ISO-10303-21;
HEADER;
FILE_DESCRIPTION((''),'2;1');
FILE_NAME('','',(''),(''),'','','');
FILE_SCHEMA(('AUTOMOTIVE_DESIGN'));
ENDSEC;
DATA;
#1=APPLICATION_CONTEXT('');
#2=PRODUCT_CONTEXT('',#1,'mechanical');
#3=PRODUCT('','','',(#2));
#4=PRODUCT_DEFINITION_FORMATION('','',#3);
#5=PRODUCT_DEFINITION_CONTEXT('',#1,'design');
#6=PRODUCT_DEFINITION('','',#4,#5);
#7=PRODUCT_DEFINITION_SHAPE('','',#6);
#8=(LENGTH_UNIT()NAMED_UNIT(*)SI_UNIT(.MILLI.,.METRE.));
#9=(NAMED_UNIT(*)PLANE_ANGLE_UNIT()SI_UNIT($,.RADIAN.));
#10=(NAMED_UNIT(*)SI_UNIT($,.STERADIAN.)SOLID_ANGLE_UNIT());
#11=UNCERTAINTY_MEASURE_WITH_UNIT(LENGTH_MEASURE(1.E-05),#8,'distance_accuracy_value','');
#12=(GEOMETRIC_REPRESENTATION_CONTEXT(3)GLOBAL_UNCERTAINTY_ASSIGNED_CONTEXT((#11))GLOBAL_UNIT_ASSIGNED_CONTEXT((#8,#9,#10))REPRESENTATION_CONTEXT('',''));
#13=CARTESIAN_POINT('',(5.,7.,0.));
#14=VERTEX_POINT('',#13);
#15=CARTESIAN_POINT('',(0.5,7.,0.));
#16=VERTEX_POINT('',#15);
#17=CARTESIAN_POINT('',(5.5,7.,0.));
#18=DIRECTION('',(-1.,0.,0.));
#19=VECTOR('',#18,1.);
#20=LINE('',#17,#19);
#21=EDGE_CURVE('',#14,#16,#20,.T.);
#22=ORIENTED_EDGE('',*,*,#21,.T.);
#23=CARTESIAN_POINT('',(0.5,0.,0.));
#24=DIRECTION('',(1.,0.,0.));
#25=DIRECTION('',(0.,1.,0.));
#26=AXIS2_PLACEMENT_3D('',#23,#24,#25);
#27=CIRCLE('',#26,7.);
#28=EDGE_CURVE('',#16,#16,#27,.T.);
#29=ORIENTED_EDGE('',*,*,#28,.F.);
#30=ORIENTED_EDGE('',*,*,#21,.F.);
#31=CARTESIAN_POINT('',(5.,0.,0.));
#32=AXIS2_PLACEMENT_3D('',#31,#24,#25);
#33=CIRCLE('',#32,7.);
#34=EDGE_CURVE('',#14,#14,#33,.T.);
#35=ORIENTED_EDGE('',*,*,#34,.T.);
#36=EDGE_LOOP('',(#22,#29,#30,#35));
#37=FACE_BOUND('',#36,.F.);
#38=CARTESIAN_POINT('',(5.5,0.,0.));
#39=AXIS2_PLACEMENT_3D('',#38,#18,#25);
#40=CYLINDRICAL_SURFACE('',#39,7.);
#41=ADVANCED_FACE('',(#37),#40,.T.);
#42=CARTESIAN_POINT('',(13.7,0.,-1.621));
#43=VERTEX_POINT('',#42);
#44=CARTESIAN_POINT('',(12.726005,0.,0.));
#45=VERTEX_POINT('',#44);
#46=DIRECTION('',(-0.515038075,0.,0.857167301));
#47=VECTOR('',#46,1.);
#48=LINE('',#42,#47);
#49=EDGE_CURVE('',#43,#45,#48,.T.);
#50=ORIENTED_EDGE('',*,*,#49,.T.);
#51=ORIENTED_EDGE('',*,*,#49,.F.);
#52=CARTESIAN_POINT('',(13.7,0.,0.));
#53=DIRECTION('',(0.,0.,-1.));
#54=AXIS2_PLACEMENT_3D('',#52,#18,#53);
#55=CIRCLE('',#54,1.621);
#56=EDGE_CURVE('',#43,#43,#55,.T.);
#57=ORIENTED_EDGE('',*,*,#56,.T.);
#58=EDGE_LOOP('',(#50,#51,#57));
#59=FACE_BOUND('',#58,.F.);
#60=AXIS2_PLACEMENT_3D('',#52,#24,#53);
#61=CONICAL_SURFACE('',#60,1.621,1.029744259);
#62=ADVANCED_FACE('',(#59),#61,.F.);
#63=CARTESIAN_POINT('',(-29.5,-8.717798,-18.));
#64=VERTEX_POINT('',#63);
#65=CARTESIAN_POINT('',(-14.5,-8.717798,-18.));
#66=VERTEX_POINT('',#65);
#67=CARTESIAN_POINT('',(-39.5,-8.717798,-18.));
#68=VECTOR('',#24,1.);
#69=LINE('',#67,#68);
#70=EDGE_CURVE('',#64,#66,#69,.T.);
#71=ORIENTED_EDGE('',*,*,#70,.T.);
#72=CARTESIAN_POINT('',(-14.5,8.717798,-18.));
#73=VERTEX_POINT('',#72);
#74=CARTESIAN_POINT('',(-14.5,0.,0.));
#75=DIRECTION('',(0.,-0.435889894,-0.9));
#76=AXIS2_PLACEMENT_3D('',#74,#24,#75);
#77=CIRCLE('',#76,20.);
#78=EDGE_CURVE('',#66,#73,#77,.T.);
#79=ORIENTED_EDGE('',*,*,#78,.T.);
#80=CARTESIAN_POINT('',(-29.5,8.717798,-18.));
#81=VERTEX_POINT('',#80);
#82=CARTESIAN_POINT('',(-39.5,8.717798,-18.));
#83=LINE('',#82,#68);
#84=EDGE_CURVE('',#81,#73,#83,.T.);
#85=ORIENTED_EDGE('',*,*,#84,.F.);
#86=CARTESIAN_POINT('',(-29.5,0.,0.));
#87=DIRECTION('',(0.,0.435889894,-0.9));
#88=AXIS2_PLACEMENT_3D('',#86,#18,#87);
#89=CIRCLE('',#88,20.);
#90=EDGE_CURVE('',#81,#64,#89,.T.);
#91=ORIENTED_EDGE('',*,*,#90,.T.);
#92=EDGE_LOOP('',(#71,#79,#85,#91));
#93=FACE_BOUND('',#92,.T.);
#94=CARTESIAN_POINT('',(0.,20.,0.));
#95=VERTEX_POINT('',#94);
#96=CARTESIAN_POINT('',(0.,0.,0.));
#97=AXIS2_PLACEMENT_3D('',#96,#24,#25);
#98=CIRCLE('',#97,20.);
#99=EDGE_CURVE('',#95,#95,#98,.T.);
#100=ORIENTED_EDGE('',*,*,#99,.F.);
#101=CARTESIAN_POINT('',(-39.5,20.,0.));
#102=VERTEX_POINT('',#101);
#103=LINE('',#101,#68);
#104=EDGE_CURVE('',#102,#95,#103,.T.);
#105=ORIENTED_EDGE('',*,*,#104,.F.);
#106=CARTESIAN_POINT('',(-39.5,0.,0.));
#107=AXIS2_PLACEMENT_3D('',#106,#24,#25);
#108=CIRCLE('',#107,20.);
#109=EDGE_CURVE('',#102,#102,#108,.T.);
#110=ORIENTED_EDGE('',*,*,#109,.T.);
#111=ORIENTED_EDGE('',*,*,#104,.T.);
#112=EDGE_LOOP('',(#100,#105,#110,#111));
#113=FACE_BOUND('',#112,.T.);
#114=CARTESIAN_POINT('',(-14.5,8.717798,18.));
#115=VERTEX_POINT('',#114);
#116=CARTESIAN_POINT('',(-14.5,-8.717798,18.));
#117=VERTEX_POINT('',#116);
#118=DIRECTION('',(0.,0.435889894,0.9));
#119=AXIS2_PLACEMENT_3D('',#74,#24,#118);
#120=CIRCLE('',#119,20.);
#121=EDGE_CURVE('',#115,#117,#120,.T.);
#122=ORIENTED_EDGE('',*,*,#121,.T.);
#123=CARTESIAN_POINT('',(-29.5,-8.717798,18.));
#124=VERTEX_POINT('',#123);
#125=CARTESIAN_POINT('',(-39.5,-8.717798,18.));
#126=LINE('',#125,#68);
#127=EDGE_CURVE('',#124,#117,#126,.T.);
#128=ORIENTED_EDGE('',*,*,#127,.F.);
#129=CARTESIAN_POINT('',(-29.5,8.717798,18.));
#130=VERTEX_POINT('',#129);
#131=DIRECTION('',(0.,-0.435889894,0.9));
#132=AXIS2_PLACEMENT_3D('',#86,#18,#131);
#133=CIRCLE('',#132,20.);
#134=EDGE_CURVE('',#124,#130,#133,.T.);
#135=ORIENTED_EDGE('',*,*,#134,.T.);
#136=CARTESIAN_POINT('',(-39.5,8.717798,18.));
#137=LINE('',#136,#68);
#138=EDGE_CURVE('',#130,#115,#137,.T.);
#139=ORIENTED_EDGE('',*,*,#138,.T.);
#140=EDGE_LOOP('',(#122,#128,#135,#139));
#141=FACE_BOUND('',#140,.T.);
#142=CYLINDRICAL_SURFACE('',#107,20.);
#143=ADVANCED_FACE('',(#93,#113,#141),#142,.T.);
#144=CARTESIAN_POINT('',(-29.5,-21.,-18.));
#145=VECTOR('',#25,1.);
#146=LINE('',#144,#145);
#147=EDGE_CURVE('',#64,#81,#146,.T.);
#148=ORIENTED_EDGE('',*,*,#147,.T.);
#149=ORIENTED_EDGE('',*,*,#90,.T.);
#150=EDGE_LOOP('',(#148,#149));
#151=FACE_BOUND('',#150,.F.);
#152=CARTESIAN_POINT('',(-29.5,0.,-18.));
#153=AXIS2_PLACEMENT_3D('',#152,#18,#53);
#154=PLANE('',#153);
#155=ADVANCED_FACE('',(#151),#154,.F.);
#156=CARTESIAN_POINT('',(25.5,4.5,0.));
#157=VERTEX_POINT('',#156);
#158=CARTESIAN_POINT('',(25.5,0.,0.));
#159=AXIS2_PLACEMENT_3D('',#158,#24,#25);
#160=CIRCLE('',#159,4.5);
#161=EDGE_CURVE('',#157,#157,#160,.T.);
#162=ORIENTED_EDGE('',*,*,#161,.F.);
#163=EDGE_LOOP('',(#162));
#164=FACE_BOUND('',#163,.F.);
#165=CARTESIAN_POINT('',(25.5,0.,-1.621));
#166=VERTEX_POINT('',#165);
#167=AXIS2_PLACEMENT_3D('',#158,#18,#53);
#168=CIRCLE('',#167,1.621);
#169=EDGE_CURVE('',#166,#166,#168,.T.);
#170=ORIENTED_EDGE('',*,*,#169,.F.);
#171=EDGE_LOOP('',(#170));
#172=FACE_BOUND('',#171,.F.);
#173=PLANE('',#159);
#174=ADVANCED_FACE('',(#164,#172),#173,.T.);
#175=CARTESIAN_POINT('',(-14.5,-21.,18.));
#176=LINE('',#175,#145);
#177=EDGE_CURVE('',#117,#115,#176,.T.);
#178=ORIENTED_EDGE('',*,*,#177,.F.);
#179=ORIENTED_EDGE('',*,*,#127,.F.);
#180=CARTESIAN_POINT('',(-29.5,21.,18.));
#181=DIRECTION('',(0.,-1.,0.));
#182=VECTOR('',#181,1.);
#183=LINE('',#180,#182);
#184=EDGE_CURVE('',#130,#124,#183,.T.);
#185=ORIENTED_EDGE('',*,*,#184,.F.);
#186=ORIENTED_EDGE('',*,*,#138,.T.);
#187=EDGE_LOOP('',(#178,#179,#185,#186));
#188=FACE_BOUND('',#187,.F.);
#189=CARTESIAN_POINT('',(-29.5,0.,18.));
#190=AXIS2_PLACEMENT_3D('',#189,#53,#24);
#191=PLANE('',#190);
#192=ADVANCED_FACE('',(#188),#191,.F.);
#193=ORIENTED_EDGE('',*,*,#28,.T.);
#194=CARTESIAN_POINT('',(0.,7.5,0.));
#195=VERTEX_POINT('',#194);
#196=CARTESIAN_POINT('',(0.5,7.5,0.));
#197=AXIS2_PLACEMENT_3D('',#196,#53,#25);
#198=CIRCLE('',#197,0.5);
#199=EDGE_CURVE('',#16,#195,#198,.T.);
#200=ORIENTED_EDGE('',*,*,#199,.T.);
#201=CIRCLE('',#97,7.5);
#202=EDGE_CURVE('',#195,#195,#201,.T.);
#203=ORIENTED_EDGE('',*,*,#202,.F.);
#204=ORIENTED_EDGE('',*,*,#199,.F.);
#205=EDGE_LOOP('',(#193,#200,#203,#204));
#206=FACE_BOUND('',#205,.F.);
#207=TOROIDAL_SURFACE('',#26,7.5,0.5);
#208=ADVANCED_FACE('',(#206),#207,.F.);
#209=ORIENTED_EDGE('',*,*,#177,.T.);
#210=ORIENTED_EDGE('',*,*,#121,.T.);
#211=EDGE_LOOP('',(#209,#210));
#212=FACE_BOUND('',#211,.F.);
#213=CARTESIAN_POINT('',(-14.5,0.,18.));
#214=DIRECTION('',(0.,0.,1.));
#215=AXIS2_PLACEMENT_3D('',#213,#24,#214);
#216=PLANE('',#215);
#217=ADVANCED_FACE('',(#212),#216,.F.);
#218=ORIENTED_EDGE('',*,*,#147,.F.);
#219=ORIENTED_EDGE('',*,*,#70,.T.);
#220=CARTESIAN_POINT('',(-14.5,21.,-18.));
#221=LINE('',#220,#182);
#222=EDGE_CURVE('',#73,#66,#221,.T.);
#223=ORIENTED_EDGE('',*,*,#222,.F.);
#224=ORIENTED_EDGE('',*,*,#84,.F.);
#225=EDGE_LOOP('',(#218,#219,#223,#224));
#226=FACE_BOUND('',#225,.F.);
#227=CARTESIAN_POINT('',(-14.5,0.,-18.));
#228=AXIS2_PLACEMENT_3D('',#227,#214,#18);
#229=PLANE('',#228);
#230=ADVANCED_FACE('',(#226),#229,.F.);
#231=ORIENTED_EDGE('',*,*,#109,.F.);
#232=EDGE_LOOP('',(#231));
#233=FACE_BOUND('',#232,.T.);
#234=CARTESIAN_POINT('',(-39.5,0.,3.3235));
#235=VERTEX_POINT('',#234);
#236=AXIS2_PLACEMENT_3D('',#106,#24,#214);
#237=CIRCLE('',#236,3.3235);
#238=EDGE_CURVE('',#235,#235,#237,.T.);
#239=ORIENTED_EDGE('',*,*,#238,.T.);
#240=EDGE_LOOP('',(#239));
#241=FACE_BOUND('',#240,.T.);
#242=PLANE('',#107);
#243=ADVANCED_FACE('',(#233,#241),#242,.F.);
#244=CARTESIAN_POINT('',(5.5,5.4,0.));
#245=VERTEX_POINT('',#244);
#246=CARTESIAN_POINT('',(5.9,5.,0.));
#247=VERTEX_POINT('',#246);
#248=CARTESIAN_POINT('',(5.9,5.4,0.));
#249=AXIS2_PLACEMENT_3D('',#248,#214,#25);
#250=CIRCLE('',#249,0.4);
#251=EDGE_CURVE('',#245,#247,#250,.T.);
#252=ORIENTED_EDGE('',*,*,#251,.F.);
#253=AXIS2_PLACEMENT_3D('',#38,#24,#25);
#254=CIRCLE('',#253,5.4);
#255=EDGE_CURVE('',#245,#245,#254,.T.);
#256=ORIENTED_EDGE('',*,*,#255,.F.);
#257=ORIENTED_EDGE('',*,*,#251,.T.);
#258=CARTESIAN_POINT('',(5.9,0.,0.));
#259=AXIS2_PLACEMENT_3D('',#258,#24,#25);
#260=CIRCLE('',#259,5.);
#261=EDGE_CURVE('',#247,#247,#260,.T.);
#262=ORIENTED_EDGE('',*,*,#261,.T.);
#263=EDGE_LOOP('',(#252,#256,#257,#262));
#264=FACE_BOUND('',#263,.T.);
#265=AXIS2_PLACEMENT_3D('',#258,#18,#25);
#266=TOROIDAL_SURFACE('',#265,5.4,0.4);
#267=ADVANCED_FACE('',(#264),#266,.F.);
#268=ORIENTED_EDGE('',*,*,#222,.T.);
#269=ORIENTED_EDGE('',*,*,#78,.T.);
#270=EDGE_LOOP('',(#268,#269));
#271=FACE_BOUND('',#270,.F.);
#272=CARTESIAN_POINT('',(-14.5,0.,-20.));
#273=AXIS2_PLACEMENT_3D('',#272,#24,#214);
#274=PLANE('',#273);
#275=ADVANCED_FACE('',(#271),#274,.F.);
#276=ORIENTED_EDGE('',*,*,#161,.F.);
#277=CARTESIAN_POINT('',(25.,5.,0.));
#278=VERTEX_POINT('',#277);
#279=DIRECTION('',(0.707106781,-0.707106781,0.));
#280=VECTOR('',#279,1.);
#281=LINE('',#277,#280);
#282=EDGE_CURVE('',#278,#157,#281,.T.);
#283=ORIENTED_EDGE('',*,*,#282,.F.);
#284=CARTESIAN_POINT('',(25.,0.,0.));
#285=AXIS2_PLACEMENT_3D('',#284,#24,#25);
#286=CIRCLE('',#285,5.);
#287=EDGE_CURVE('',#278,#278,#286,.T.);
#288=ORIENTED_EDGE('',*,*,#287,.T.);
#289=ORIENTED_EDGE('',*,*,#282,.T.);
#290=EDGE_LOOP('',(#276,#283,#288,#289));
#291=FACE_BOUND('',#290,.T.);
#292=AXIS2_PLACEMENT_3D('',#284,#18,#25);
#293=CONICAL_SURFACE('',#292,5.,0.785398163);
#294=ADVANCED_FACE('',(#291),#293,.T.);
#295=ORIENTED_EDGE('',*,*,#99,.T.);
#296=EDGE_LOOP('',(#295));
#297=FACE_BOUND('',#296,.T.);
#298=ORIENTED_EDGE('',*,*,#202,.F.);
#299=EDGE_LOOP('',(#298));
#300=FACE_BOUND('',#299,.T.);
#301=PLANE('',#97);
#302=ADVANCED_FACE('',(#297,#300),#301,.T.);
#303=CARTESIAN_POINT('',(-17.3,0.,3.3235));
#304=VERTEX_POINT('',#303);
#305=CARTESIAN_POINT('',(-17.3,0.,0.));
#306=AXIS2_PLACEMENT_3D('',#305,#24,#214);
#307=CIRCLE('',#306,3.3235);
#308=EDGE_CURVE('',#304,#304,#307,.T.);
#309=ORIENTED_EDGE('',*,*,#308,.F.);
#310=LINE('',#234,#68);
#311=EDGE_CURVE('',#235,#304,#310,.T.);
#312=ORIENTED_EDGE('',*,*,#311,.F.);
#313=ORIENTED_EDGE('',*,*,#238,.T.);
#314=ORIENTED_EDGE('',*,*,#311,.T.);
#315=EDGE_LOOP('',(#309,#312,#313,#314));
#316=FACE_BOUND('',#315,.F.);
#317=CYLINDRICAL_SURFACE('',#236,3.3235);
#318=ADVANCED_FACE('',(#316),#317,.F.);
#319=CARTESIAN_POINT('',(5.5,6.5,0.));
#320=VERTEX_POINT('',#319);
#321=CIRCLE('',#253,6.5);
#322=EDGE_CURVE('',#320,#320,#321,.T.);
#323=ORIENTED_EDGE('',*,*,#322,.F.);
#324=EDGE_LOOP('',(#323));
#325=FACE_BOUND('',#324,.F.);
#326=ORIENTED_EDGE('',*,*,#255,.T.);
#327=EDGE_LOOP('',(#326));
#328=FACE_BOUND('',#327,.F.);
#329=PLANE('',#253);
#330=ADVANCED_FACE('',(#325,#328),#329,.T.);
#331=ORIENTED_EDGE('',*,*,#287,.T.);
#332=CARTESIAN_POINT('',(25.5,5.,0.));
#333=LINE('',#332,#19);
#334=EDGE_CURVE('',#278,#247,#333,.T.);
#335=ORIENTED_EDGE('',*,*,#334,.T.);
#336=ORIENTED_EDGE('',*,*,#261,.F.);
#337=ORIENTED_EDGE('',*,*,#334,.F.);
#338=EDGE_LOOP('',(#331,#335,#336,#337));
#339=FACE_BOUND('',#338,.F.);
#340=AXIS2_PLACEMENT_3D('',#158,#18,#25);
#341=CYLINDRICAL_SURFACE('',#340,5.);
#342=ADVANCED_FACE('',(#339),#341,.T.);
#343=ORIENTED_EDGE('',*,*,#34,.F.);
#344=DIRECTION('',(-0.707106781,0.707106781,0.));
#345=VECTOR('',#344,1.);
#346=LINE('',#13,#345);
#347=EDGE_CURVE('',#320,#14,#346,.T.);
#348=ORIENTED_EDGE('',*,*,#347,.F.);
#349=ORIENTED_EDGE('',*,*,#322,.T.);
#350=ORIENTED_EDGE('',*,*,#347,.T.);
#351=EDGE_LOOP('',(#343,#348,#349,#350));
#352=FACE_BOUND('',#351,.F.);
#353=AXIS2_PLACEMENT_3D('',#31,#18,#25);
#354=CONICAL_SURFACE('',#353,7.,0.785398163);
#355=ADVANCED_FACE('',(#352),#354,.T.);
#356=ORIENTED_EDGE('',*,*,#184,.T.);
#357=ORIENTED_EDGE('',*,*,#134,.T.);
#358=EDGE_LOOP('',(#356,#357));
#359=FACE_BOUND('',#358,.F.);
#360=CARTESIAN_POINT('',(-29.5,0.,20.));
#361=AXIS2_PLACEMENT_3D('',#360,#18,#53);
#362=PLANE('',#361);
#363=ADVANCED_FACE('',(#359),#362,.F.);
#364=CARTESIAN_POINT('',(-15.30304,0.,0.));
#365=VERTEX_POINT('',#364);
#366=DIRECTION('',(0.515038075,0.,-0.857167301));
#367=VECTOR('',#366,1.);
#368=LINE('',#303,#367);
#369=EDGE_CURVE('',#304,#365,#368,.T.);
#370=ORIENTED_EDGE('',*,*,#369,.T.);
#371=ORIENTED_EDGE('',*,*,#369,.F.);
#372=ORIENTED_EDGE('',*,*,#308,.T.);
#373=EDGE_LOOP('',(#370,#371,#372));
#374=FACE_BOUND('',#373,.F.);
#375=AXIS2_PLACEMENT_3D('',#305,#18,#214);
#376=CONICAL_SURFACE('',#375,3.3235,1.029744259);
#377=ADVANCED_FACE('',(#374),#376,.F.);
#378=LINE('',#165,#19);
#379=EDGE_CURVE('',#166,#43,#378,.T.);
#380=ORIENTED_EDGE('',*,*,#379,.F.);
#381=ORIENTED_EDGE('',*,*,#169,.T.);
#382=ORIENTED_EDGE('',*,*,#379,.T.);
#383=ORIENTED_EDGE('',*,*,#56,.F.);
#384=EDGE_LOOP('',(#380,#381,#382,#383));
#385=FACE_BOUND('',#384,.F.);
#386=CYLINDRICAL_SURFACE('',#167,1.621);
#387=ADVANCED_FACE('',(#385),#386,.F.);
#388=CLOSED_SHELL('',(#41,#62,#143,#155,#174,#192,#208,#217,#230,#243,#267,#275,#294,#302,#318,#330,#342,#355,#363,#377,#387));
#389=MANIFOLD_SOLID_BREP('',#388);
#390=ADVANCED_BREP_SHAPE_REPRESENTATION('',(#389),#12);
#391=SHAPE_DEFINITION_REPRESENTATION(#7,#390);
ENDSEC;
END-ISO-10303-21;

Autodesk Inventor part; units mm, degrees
ref_plane "YZ Plane" through (0, 0, 0) normal (1, 0, 0) x (0, 1, 0)
ref_plane "XZ Plane" through (0, 0, 0) normal (0, 1, 0) x (-1, 0, 0)
ref_plane "XY Plane" through (0, 0, 0) normal (0, 0, 1) x (1, 0, 0)
sketch "Sketch1" plane through (0, 0, 0) normal (0, 0, 1) x (1, 0, 0)
  line L0 (0, 0) -> (5.5, 0)
  line L1 (5.5, 0) -> (5.5, 7)
  line L2 (5.5, 7) -> (0, 7)
  line L3 (0, 7) -> (0, 0)
  line L4 (5.5, 0) -> (25.5, 0)
  line L5 (25.5, 0) -> (25.5, 5)
  line L6 (25.5, 5) -> (5.5, 5)
  line L7 (5.5, 5) -> (5.5, 0)
  line L8 (0, 0) -> (-39.5, 0)
  line L9 (-39.5, 0) -> (-39.5, 20)
  line L10 (-39.5, 20) -> (0, 20)
  line L11 (0, 20) -> (0, 0)
  dimension "d0" = 5.5
  dimension "d1" = 7
  dimension "d2" = 5
  dimension "d3" = 20
  dimension "d5" = 39.5
  dimension "d6" = 20
revolve "Revolution1" add sketch "Sketch1" angle 360 about axis through (5.5, 0, 0) along (1, 0, 0)
sketch "Sketch2" plane through (25.5, 0, 0) normal (1, 0, 0) x (0, 0, -1)
  point P0 (0, 0)
  point P1 (0, 0)
hole "Hole1" at (25.5, 0, 0) direction (-1, 0, 0) diameter 3.242 depth 11.8 tip angle 118 thread size "M4x0.7" class "6H" standard "ANSI Metric M Profile"
sketch "Sketch3" plane through (-39.5, 0, 0) normal (-1, 0, 0) x (0, 0, 1)
  point P0 (0, 0)
  point P1 (0, 0)
hole "Hole2" at (-39.5, 0, 0) direction (1, 0, 0) diameter 6.647 depth 22.2 tip angle 118 thread size "M8x1.25" class "6H" standard "ANSI Metric M Profile"
sketch "Sketch4" plane through (0, 0, 0) normal (0, 1, 0) x (-1, 0, 0)
  line L0 (29.5, -20) -> (14.5, -20)
  line L1 (14.5, -20) -> (14.5, -18)
  line L2 (14.5, -18) -> (29.5, -18)
  line L3 (29.5, -18) -> (29.5, -20)
  line L4 (14.5, 20) -> (29.5, 20)
  line L5 (29.5, 20) -> (29.5, 18)
  line L6 (29.5, 18) -> (14.5, 18)
  line L7 (14.5, 18) -> (14.5, 20)
  line L8 (39.5, 20) -> (39.5, -20) projected
  point P0 (0, 0)
  dimension "d21" = 15
  dimension "d22" = 36
  dimension "d23" = 2
  dimension "d24" = 2
  dimension "d25" = 10
extrude "Extrusion1" cut sketch "Sketch4" along normal through all both and the other way through all
fillet "Fillet1" radius 0.5 1 edges at (0, -7, 0)
fillet "Fillet2" radius 0.4 1 edges at (5.5, -5, 0)
chamfer "Chamfer1" distance 0.5 angle 45 1 edges at (25.5, -5, 0)
chamfer "Chamfer2" distance 0.5 angle 45 1 edges at (5.5, -7, 0)
equation "\"d23\" = d24"
properties part number "Top_Lever Shaft" material "Stainless Steel"
